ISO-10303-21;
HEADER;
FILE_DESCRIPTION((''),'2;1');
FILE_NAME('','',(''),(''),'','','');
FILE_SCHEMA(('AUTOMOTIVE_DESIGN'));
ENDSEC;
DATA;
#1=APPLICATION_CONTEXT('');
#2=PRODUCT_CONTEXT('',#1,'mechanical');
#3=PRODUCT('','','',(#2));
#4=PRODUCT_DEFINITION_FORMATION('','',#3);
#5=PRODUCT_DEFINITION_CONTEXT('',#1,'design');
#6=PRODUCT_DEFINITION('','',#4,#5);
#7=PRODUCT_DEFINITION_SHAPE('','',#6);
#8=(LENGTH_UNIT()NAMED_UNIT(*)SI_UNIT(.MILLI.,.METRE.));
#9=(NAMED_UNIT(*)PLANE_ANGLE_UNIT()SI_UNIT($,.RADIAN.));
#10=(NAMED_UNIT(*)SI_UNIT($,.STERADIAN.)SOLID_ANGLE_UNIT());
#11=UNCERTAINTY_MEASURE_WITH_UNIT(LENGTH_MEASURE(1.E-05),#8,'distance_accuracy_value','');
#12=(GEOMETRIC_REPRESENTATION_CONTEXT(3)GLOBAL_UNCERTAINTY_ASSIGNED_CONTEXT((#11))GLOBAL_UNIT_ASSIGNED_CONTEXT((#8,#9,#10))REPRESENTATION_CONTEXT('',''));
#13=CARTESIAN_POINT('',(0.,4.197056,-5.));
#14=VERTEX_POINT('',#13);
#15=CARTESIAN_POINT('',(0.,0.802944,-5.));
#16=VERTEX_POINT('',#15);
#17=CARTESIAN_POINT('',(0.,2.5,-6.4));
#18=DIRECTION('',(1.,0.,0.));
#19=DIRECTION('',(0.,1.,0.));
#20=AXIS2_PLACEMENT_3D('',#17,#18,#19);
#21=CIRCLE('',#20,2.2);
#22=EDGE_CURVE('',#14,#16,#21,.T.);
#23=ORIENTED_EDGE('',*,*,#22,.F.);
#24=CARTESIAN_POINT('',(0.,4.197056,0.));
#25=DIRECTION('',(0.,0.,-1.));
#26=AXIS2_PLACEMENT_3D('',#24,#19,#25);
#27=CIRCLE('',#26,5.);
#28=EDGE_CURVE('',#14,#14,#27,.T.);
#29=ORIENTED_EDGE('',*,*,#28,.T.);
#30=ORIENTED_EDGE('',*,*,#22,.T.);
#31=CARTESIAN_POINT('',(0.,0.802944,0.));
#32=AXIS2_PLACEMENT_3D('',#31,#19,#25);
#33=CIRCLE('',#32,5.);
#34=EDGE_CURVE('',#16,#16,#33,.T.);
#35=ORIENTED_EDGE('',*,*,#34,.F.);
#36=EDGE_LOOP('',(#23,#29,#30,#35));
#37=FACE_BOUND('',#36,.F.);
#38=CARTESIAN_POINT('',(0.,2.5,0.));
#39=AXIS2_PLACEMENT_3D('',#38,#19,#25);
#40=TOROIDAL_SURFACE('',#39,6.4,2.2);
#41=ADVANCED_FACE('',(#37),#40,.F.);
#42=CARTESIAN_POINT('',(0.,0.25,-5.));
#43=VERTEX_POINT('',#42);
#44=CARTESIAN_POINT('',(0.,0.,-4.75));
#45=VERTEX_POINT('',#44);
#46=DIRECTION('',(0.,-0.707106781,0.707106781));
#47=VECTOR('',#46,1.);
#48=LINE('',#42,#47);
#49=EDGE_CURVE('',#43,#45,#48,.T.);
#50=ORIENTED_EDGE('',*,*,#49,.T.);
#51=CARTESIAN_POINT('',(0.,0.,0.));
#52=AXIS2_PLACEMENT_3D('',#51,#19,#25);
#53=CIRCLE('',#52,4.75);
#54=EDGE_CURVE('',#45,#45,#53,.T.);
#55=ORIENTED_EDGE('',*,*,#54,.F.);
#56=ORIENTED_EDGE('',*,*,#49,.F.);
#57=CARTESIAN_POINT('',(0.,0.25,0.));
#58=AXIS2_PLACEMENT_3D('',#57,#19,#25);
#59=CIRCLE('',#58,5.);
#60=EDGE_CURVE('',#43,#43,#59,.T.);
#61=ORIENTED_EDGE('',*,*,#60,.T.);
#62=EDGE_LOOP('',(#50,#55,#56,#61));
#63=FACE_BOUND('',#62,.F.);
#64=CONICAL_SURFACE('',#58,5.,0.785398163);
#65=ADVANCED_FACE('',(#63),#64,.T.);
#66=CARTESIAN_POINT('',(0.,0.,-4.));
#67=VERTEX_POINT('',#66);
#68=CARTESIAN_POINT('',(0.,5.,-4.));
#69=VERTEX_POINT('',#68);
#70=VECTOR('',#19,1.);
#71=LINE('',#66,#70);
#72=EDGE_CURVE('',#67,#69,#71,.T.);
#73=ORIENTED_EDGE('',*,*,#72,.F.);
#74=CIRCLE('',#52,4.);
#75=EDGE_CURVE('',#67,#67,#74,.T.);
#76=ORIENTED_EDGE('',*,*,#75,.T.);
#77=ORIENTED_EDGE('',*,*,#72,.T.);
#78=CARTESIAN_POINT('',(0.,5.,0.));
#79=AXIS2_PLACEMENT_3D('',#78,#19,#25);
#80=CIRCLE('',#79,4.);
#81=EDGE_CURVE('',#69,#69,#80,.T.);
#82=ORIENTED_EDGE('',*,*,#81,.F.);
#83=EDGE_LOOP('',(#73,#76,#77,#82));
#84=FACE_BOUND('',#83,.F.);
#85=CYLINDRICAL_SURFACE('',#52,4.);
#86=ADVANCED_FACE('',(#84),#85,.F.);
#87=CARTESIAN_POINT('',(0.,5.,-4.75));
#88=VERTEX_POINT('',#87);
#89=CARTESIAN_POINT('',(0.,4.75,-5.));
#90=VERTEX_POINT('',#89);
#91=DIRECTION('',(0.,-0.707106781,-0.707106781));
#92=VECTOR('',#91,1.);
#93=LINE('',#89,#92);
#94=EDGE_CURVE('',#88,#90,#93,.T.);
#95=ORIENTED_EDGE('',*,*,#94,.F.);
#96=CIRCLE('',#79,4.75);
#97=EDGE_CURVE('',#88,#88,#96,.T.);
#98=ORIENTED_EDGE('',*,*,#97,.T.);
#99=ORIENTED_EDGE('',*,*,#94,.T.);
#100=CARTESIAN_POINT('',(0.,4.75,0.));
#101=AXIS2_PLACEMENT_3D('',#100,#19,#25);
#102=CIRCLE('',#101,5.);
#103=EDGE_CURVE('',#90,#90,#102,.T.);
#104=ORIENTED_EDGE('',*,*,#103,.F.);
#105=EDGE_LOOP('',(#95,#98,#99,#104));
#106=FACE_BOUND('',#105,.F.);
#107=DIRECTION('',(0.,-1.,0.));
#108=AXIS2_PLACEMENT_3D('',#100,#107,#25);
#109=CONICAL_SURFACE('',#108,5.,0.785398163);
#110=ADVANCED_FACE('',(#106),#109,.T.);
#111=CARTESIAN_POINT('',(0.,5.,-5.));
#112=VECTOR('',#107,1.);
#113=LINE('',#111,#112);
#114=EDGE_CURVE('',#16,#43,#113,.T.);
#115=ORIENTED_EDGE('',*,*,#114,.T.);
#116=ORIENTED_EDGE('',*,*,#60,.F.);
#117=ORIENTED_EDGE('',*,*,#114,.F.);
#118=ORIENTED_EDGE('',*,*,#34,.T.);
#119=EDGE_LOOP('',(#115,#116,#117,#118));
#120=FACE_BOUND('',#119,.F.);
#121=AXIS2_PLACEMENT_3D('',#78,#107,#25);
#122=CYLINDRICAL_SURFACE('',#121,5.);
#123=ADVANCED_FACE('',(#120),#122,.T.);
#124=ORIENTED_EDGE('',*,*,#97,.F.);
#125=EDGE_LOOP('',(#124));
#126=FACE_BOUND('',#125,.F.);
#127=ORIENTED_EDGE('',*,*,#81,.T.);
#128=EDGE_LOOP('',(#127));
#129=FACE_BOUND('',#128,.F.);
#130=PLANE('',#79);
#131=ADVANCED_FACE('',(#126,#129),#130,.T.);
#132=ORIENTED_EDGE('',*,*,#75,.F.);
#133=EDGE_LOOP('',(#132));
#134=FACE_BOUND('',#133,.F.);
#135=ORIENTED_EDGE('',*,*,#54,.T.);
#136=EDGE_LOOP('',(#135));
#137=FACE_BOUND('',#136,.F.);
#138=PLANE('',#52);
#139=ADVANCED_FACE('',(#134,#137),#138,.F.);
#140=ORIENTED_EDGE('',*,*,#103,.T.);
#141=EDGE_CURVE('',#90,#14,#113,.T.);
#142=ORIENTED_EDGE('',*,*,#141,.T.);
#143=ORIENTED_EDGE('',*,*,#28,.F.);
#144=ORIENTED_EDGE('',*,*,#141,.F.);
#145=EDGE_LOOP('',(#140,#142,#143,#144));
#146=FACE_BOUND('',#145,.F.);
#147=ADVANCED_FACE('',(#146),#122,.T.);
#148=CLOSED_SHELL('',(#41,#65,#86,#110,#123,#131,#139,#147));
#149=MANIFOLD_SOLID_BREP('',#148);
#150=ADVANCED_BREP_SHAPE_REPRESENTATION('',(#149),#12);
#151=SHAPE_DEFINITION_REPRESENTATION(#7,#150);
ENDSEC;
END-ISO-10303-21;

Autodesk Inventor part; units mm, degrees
ref_plane "YZ Plane" through (0, 0, 0) normal (1, 0, 0) x (0, 1, 0)
ref_plane "XZ Plane" through (0, 0, 0) normal (0, 1, 0) x (-1, 0, 0)
ref_plane "XY Plane" through (0, 0, 0) normal (0, 0, 1) x (1, 0, 0)
sketch "Sketch1" plane through (0, 0, 0) normal (1, 0, 0) x (0, 1, 0)
  line L0 (0, 0) -> (7, 0)
  line L1 (0, 0) -> (0, -15) construction
  line L2 (0, -4) -> (5, -4)
  line L3 (5, -4) -> (5, -5)
  line L4 (5, -5) -> (0, -5)
  line L5 (0, -5) -> (0, -4)
  circle A0 centre (2.5, -6.4) radius 2.2
  line L6 (2.5, 0) -> (2.5, -6.4) construction
  point P0 (0.8029, -5)
  point P1 (4.1971, -5)
  dimension "d2" = 7
  dimension "d3" = 15
  dimension "d4" = 5
  dimension "d5" = 8
  dimension "d6" = 4.4
  dimension "d7" = 2.5
  dimension "d8" = 1.4
  dimension "d9" = 1
revolve "Revolution1" add sketch "Sketch1" angle 360 about axis through (0, 0, 0) along (0, 1, 0) contours L2 L3 L4 A0 L5
chamfer "Chamfer1" distance 0.25 angle 45 2 edges at (0, 5, 5) (0, 0, 5)
properties part number "Inner_Ring"
